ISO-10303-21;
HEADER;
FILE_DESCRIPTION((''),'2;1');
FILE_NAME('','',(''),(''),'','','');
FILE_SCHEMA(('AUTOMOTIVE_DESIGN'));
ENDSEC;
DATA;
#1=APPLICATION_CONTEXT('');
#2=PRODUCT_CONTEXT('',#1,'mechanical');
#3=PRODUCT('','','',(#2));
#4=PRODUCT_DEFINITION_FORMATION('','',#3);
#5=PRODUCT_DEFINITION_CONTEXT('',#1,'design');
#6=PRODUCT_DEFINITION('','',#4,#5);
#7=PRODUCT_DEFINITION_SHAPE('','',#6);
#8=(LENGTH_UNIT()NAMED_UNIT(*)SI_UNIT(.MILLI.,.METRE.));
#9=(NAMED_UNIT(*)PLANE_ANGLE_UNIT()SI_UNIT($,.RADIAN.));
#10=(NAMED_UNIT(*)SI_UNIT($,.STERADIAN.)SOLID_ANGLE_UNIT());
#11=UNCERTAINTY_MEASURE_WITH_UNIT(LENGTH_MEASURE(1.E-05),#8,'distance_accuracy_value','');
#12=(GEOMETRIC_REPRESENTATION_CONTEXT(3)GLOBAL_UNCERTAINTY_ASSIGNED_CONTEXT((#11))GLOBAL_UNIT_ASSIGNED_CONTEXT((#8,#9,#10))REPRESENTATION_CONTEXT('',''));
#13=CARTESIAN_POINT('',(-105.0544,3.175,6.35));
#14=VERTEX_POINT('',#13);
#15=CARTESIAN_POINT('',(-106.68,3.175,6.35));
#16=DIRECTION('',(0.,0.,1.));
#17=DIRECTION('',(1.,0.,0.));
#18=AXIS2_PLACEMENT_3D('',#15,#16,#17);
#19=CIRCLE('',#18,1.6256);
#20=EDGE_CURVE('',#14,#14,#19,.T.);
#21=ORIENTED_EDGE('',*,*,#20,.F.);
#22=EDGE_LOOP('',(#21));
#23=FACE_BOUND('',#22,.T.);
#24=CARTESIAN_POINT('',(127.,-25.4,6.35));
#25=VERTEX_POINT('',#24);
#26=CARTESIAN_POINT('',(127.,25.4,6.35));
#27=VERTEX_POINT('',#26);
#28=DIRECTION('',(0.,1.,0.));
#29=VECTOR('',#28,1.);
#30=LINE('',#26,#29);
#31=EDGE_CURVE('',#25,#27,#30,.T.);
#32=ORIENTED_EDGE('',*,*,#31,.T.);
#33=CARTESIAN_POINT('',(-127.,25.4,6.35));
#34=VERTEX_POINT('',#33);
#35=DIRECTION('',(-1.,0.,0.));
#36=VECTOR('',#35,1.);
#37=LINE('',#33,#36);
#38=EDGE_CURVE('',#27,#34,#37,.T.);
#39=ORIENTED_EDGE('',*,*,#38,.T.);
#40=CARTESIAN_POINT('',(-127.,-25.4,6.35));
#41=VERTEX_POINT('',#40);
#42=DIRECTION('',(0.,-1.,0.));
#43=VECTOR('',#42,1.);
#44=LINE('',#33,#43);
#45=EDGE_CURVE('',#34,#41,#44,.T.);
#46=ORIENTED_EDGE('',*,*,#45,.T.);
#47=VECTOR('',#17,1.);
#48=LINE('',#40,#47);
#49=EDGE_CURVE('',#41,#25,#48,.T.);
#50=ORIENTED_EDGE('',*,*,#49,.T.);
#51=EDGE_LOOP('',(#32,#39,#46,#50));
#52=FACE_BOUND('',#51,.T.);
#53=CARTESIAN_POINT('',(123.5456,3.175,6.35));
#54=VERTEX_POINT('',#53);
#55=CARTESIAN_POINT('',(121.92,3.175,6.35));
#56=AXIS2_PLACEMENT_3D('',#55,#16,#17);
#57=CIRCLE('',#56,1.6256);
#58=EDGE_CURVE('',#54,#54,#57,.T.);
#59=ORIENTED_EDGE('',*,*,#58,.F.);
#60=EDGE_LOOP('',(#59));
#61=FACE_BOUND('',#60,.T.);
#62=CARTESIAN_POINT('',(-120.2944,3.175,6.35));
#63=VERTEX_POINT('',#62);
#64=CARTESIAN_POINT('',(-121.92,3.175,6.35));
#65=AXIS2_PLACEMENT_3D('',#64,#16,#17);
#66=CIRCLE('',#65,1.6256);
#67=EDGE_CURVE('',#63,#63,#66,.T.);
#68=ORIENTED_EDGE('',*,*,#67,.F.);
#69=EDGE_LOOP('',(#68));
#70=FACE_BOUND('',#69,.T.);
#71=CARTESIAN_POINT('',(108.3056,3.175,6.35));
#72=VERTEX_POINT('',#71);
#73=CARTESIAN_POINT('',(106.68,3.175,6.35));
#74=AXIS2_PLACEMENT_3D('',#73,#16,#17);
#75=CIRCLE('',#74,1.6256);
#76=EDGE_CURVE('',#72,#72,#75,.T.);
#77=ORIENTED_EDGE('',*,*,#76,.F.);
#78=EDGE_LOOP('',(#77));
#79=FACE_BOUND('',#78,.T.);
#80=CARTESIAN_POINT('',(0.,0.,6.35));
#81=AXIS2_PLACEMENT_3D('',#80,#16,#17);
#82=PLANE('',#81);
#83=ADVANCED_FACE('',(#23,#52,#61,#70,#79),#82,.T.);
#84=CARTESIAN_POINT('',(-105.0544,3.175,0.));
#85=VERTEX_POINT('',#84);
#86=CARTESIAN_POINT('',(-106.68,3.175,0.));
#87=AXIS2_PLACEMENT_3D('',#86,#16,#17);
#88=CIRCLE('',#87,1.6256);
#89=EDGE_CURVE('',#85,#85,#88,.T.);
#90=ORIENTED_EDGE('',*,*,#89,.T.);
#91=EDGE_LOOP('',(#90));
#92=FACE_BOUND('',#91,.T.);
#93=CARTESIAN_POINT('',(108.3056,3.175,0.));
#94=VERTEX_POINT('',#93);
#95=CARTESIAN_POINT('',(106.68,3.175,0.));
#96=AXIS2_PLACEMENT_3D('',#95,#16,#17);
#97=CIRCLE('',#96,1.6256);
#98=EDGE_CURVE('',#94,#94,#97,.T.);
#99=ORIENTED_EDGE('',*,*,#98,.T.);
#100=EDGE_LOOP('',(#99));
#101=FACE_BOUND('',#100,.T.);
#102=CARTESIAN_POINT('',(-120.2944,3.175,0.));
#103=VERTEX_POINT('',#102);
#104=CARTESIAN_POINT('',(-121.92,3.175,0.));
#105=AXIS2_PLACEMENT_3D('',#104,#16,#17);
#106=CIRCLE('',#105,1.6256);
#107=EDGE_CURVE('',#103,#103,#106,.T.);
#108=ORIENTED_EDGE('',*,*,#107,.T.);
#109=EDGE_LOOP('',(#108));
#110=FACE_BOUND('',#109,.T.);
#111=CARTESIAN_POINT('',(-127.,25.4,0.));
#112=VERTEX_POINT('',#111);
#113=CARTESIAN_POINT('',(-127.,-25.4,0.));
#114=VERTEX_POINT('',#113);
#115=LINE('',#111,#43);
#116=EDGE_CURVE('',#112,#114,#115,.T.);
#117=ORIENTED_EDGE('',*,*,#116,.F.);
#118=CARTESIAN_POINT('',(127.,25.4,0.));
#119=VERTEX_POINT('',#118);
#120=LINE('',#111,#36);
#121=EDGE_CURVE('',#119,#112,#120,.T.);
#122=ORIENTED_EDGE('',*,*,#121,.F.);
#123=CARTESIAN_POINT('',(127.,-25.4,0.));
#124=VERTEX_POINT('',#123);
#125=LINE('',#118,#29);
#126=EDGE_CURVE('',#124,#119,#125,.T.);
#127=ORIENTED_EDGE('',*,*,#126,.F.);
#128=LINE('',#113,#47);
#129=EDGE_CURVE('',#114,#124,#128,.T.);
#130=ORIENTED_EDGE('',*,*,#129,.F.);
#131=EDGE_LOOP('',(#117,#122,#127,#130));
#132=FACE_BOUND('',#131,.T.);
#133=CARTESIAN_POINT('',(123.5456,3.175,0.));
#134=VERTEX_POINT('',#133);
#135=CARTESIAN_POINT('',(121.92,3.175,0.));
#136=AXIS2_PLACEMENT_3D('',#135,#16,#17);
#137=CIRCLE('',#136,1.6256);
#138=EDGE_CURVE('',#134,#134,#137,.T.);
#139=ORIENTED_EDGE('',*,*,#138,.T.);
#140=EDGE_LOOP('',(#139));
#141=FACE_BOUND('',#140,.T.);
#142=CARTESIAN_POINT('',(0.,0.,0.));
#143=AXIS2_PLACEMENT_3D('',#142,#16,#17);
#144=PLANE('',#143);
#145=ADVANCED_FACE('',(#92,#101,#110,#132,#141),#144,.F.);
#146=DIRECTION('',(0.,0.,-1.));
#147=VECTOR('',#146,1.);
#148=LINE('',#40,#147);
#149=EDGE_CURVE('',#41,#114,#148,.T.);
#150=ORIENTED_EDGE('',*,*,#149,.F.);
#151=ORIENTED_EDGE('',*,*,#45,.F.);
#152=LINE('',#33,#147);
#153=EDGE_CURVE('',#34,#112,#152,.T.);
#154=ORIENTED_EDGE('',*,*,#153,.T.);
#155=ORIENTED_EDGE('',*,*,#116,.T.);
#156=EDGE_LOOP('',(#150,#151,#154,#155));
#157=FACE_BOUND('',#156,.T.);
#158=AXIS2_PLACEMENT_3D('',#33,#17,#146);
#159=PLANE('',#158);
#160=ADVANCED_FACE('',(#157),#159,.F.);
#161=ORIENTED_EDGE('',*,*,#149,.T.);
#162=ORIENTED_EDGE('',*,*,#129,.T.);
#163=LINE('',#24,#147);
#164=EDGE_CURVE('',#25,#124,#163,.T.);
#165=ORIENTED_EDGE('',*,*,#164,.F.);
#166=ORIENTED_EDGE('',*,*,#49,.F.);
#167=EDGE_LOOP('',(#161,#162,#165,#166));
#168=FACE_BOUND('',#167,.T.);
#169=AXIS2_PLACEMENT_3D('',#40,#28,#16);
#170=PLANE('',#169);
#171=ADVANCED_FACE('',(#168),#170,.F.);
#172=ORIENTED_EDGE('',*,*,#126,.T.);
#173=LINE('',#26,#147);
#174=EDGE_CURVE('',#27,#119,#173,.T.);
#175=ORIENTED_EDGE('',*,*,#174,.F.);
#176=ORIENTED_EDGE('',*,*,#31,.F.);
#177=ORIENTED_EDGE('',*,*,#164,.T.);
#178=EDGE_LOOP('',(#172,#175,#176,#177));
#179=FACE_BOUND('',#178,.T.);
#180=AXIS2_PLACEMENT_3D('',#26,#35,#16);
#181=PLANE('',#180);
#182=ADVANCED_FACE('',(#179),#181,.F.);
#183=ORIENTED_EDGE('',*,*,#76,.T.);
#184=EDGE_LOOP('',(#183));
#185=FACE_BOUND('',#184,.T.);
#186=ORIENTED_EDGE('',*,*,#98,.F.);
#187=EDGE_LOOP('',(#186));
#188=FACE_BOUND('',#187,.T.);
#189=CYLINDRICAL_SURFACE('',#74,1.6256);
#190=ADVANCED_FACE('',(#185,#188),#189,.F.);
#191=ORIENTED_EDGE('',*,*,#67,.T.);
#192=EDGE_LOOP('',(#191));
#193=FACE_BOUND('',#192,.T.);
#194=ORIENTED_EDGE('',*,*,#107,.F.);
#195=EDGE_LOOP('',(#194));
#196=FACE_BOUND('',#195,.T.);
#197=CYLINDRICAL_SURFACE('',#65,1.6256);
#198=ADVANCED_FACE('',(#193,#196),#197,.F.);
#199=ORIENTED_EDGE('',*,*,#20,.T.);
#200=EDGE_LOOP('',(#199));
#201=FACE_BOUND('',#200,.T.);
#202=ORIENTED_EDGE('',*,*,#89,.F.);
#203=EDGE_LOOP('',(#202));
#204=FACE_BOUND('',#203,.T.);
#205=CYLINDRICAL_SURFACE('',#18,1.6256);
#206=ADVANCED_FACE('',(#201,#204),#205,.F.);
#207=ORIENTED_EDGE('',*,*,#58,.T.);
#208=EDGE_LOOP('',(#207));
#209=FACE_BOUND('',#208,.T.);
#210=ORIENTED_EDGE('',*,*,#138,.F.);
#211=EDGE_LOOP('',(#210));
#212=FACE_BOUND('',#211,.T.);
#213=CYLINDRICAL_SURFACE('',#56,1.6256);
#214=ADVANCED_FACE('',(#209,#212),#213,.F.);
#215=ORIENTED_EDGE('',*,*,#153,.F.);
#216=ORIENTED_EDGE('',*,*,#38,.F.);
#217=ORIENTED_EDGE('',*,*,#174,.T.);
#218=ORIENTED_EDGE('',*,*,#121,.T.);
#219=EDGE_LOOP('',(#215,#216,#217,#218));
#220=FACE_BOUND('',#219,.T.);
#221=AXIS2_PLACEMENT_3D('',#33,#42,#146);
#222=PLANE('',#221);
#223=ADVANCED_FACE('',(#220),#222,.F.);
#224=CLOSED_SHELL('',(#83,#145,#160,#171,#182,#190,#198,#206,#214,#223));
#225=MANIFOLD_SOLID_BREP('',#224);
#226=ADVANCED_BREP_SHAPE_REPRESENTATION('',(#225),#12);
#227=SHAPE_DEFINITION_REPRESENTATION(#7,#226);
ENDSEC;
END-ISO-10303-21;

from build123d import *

# Parameters (mm, degrees)
SKETCH1_W             = 254
SKETCH1_H             = 50.8
BOSS_EXTRUDE1_DEPTH   = 6.35
F_4_CLEARANCE_HOLE1_D = 3.2512
F_4_CLEARANCE_HOLE2_D = 3.2512


with BuildPart() as part:
    # Sketch1 → Boss-Extrude1 (new body)
    with BuildSketch(Plane.XY):
        Rectangle(SKETCH1_W, SKETCH1_H)
    extrude(amount=BOSS_EXTRUDE1_DEPTH)

    # #4 Clearance Hole1 (through all)
    with Locations(Plane.XY.offset(6.35)):
        with Locations((-121.92, 3.175), (-106.68, 3.175)):
            Hole(F_4_CLEARANCE_HOLE1_D / 2)

    # #4 Clearance Hole2 (through all)
    with Locations(Plane.XY.offset(6.35)):
        with Locations((121.92, 3.175), (106.68, 3.175)):
            Hole(F_4_CLEARANCE_HOLE2_D / 2)


solid = part.part
